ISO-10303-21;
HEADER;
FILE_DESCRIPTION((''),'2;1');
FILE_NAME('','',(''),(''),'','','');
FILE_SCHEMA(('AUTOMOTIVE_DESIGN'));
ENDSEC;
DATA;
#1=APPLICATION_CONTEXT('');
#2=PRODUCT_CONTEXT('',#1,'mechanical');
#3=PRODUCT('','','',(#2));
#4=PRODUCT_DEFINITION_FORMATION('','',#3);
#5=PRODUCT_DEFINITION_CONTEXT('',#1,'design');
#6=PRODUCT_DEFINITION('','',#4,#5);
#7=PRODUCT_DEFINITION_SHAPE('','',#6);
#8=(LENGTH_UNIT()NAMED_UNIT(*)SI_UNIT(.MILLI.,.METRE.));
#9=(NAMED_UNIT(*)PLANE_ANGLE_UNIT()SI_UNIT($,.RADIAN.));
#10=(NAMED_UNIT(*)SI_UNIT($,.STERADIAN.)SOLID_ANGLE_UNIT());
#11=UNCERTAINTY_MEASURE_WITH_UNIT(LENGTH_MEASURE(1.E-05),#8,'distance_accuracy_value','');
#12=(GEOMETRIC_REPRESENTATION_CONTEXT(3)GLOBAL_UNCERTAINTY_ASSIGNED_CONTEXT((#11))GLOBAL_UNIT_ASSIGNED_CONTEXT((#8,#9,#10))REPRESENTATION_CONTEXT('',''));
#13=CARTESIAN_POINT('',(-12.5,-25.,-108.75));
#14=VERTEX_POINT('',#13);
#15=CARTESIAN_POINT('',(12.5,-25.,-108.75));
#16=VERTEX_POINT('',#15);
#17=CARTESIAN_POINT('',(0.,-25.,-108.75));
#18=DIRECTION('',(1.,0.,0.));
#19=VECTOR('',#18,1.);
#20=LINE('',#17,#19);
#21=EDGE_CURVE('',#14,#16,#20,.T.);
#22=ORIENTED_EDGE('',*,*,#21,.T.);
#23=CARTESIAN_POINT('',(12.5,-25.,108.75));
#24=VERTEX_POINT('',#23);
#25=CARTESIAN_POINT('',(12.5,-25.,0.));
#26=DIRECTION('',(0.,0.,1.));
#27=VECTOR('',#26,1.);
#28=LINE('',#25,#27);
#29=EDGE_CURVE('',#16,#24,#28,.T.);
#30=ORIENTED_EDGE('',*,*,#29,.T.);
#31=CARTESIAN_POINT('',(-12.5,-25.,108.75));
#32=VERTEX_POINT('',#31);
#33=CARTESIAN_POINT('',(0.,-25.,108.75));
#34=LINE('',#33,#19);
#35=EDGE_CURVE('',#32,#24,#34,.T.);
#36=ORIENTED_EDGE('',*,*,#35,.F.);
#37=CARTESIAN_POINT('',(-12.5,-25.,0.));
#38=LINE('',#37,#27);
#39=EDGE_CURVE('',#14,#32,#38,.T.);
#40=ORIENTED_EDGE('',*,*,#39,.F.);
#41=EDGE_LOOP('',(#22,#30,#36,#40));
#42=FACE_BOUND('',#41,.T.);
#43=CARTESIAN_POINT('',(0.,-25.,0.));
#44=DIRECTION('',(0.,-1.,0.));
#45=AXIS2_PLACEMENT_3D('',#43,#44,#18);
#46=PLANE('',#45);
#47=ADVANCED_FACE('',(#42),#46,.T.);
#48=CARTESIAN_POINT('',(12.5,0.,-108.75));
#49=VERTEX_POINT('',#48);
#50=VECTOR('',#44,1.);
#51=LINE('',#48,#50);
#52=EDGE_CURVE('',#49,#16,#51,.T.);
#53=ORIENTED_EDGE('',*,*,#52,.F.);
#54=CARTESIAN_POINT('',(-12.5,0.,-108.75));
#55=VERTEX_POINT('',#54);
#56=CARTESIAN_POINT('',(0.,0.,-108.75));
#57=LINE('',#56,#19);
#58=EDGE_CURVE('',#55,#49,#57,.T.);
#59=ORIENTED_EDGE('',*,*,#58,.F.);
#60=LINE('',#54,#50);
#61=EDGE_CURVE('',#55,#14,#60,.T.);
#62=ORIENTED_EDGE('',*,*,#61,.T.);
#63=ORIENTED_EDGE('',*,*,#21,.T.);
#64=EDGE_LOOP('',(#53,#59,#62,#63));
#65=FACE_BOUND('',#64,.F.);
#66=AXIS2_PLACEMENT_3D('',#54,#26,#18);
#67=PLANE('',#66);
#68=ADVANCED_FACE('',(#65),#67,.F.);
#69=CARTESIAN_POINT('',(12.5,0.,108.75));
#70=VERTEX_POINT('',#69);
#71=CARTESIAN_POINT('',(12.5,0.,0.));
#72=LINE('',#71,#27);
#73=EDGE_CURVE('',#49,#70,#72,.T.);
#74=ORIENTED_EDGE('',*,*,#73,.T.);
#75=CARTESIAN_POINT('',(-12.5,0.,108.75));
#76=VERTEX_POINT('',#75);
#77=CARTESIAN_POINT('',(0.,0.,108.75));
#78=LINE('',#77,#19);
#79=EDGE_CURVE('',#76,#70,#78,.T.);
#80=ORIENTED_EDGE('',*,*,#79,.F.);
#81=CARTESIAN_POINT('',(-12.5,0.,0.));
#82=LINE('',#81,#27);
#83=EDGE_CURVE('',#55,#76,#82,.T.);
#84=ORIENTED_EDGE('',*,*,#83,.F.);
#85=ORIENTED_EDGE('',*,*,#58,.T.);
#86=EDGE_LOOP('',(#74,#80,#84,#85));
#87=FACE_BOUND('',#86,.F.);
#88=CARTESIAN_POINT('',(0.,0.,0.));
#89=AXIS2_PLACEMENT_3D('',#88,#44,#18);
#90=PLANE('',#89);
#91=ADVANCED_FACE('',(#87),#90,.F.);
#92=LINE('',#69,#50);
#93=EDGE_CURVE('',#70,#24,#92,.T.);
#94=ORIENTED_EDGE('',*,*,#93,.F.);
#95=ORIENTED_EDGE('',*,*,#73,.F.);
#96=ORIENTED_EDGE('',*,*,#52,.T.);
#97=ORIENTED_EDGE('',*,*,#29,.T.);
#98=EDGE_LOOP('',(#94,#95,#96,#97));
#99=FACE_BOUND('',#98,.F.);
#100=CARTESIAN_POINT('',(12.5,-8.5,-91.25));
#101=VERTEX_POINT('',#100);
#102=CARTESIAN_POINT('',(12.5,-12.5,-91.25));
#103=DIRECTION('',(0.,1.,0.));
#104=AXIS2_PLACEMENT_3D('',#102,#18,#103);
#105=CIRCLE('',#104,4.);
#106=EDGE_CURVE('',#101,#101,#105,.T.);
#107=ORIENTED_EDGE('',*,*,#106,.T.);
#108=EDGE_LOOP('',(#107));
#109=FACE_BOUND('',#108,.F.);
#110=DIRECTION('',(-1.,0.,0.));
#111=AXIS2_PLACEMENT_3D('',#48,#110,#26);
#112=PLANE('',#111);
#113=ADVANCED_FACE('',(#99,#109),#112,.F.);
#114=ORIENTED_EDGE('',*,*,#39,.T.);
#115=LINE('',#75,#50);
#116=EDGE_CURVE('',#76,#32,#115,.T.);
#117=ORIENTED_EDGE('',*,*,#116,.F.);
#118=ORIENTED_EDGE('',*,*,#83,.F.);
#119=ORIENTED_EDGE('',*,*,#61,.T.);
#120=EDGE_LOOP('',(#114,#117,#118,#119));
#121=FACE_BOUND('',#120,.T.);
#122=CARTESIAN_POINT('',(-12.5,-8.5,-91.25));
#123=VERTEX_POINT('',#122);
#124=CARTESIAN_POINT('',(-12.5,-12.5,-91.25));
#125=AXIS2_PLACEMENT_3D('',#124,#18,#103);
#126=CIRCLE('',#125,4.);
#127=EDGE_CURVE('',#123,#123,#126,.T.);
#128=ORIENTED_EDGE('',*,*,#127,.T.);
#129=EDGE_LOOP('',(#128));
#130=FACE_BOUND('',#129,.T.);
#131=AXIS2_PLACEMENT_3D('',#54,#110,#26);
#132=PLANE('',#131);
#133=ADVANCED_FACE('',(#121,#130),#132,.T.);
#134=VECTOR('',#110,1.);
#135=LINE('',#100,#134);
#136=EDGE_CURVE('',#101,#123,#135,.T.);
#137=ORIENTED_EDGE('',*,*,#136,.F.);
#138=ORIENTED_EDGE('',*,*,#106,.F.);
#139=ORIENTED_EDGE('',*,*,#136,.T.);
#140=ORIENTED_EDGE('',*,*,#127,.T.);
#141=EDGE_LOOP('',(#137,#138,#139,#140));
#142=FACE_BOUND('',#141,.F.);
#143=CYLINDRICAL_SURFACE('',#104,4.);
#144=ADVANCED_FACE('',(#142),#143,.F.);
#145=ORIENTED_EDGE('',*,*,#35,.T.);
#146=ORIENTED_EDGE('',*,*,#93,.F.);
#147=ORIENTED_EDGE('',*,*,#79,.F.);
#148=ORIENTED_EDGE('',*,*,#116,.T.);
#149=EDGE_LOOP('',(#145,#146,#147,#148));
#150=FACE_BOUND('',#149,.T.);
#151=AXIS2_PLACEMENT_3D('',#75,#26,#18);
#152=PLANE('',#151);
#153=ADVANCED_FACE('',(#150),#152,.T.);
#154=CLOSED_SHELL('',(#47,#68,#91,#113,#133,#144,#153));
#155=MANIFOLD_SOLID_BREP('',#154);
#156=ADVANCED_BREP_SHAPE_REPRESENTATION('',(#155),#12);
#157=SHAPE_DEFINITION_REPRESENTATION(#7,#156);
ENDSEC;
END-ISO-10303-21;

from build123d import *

# Parameters (mm, degrees)
F0_W     = 25
F0_H     = 217.5
F1_DEPTH = 25
F2_R     = 4
F3_DEPTH = 25


with BuildPart() as f1:
    # F0 (on Front) → F1 (new body)
    with BuildSketch(Plane.XZ):
        Rectangle(F0_W, F0_H)
    extrude(amount=F1_DEPTH)

    # F2 (on face) → F3 (cut)
    with BuildSketch(Plane.YZ.offset(12.5)):
        with Locations((-12.5, -91.25)):
            Circle(F2_R)
    extrude(amount=-F3_DEPTH, mode=Mode.SUBTRACT)


solid = f1.part
